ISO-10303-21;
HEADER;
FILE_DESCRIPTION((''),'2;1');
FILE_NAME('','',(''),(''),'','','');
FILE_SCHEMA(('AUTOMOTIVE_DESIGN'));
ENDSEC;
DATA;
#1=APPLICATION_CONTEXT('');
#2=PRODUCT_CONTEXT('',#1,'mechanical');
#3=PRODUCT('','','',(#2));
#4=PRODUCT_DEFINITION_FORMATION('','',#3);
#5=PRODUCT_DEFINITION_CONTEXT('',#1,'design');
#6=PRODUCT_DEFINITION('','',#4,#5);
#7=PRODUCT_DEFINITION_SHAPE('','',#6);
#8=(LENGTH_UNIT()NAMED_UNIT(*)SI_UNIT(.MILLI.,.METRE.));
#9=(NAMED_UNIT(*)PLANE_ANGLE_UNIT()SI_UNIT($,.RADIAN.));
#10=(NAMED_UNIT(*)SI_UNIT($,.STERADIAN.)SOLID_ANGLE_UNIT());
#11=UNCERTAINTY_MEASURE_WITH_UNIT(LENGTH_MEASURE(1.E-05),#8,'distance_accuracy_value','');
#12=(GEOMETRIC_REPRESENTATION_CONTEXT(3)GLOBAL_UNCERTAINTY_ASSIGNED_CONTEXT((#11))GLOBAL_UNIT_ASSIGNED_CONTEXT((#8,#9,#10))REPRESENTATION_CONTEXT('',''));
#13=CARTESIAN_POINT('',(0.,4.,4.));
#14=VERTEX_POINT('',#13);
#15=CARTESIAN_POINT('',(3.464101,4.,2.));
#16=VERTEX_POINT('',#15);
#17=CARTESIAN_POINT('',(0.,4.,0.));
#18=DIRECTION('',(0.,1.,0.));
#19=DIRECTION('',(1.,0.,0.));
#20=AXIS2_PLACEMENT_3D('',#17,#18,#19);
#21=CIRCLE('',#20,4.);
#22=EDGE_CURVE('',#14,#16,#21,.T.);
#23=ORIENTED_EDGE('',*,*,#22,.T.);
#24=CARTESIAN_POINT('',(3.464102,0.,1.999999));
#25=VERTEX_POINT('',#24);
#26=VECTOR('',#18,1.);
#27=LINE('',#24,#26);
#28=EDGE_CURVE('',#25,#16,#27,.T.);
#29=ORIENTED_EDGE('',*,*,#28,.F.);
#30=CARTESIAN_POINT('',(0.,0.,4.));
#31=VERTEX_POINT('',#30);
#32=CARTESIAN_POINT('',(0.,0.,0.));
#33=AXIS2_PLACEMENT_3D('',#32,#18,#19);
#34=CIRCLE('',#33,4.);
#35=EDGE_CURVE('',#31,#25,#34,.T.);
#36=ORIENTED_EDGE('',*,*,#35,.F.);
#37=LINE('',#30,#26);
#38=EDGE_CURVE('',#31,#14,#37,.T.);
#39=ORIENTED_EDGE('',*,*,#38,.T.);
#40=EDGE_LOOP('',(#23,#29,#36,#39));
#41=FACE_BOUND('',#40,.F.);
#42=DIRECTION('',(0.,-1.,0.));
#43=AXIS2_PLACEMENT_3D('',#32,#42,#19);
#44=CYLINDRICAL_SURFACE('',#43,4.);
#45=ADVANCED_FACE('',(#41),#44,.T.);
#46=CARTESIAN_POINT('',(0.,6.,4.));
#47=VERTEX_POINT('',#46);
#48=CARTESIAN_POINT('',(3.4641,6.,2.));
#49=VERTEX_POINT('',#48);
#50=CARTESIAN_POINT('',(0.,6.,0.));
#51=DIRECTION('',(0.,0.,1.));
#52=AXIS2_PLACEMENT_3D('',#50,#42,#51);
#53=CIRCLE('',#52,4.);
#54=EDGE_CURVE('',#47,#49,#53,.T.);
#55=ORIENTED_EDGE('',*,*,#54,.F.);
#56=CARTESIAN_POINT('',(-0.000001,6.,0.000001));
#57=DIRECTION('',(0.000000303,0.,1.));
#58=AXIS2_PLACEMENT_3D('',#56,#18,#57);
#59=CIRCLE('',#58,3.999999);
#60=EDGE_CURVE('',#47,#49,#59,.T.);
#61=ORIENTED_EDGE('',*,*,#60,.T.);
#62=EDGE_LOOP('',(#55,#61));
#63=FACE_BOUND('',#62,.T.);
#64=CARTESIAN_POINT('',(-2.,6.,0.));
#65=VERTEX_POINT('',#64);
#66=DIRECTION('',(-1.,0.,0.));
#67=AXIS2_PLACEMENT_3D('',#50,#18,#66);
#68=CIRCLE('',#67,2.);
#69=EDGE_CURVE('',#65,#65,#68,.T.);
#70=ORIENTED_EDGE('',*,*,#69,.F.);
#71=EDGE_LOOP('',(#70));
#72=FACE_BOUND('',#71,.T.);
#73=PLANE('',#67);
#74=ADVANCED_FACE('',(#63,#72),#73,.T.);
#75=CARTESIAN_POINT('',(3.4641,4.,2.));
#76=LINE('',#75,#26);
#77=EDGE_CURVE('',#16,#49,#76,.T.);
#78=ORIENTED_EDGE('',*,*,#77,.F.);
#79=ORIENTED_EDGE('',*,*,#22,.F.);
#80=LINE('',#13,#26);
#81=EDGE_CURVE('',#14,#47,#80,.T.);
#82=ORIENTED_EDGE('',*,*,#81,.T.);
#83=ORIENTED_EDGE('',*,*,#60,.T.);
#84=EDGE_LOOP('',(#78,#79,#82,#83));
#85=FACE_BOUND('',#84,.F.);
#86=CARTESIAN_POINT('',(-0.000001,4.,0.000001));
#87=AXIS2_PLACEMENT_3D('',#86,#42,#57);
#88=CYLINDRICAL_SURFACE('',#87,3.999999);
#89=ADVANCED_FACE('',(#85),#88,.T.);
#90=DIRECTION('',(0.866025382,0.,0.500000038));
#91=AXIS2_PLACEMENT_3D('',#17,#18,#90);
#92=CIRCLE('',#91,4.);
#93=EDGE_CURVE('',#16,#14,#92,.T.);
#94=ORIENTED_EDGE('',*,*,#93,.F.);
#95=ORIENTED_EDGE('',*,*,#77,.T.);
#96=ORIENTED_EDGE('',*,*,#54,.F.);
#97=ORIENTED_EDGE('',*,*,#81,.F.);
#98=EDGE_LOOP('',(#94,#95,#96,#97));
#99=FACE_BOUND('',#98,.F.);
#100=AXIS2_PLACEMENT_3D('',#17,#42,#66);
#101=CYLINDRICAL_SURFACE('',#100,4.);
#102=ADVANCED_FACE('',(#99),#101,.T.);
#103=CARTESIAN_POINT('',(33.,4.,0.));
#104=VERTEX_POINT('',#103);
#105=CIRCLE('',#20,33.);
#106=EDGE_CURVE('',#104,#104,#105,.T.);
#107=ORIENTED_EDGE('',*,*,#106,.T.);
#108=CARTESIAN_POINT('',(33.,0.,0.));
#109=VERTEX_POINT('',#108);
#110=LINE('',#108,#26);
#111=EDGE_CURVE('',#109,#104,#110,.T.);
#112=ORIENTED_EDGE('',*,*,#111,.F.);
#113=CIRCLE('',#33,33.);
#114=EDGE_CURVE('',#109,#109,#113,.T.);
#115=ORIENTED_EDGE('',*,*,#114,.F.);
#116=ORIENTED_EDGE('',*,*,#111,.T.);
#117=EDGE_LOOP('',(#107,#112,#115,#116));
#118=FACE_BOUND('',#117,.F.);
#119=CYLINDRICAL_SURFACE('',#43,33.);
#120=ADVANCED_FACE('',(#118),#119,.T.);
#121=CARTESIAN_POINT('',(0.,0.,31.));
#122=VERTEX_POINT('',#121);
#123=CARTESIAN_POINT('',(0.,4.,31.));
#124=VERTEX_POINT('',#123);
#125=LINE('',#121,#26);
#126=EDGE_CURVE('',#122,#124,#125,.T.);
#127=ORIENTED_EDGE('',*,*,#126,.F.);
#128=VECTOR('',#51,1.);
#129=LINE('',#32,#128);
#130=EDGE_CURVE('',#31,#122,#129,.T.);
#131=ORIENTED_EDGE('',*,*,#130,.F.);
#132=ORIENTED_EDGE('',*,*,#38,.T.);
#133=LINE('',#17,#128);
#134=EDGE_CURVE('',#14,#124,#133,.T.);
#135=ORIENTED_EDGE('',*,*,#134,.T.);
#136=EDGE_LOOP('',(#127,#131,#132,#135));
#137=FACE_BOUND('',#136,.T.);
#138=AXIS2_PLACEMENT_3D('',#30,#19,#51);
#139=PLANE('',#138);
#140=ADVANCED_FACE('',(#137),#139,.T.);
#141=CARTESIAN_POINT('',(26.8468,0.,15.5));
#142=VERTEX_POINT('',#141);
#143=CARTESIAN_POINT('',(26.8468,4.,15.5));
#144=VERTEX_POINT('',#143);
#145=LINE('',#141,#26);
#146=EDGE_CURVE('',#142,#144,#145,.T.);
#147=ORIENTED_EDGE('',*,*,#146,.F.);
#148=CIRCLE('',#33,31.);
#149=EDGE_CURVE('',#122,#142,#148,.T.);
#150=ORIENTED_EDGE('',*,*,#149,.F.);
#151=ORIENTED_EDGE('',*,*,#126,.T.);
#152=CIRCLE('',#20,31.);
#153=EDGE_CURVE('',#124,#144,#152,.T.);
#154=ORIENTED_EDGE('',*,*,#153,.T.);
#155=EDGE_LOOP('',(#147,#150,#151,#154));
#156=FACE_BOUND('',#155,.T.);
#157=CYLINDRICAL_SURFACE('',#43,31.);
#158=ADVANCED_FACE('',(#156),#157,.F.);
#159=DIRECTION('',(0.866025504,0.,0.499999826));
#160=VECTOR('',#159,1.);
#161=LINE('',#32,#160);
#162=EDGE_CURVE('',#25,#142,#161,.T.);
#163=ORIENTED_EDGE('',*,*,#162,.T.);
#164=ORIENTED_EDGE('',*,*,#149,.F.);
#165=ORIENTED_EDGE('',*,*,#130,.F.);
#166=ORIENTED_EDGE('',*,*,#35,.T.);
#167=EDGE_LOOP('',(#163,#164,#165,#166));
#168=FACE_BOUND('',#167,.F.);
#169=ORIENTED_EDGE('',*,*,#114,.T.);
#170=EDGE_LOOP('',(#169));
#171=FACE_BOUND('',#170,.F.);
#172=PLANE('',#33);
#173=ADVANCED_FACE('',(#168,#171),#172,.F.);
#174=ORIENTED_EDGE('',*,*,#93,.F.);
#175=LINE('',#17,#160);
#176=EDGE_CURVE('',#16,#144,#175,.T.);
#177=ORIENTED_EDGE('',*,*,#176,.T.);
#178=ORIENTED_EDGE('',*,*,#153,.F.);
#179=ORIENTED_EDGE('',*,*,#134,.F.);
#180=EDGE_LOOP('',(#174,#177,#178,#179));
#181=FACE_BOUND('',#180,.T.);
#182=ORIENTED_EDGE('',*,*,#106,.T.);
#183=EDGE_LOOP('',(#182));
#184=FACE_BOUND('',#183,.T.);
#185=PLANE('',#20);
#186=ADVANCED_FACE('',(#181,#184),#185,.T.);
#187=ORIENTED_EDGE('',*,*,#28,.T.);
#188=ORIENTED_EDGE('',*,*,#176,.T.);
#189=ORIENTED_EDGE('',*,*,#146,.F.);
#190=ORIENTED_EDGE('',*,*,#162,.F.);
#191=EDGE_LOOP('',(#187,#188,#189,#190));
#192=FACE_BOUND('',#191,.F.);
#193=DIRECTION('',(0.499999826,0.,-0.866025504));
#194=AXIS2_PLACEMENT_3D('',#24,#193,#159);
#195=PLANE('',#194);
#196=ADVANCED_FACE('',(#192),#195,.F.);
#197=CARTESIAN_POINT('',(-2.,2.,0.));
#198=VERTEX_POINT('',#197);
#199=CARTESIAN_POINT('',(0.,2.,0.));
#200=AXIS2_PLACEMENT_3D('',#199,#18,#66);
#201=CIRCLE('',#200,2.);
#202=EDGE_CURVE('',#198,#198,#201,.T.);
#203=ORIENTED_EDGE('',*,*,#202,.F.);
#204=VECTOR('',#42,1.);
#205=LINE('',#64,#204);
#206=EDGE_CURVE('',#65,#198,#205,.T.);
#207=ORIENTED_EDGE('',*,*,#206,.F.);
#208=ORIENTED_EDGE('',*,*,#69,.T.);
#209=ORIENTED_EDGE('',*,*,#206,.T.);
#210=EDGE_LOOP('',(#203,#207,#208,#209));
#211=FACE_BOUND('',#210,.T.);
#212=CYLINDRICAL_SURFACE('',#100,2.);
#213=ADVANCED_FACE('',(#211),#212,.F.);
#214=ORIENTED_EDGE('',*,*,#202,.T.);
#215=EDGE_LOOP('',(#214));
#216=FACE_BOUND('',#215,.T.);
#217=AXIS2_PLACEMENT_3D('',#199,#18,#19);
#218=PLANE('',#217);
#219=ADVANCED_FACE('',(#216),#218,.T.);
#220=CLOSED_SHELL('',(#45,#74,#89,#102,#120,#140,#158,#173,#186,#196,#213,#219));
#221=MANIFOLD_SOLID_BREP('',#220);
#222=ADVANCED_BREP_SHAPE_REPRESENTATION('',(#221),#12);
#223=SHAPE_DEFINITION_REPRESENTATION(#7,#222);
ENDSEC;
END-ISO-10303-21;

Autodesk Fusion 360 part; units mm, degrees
sketch "Sketch3" plane through (0, 0, 0) normal (0, 1, 0) x (1, 0, 0)
  circle A0 centre (0, 0) radius 33
  circle A1 centre (0, 0) radius 31
  line L0 (0, 0) -> (0, -31)
  line L1 (0, 0) -> (26.8468, -15.5)
  line L2 (0, 0) -> (31, 0) construction
  circle A2 centre (0, 0) radius 4
  dimension "d8" = 66
  dimension "d9" = 62
  dimension "d10" = 30
  dimension "d11" = 8
extrude "Extrude3" add sketch "Sketch3" along normal blind 4 contours A0 | A1 L0 L1 A2 | L0 L1 A2 | L0 L1 A2 picked at (-10.729, -19.1384)
sketch "Sketch4" plane through (0, 4, 0) normal (0, 1, 0) x (-1, 0, 0)
  arc A0 (0, 31) -> (-26.8468, 15.5) centre (0, 0) ccw
  line L0 (0, 31) -> (0, 4)
  arc A1 (0, 4) -> (-3.4641, 2) centre (0, 0) ccw
  line L1 (-3.4641, 2) -> (-26.8468, 15.5)
  circle A2 centre (0, 0) radius 33
  circle A3 centre (0, 0) radius 2
  circle A4 centre (0, 0) radius 4
  dimension "d14" = 4
  dimension "d15" = 8
extrude "Extrude4" add sketch "Sketch4" along normal blind 2 contours A1 A4
extrude "Extrude5" cut 1 faces at (-0.2436, 4, -0.2863) along direction (0, -1, 0) blind 2
